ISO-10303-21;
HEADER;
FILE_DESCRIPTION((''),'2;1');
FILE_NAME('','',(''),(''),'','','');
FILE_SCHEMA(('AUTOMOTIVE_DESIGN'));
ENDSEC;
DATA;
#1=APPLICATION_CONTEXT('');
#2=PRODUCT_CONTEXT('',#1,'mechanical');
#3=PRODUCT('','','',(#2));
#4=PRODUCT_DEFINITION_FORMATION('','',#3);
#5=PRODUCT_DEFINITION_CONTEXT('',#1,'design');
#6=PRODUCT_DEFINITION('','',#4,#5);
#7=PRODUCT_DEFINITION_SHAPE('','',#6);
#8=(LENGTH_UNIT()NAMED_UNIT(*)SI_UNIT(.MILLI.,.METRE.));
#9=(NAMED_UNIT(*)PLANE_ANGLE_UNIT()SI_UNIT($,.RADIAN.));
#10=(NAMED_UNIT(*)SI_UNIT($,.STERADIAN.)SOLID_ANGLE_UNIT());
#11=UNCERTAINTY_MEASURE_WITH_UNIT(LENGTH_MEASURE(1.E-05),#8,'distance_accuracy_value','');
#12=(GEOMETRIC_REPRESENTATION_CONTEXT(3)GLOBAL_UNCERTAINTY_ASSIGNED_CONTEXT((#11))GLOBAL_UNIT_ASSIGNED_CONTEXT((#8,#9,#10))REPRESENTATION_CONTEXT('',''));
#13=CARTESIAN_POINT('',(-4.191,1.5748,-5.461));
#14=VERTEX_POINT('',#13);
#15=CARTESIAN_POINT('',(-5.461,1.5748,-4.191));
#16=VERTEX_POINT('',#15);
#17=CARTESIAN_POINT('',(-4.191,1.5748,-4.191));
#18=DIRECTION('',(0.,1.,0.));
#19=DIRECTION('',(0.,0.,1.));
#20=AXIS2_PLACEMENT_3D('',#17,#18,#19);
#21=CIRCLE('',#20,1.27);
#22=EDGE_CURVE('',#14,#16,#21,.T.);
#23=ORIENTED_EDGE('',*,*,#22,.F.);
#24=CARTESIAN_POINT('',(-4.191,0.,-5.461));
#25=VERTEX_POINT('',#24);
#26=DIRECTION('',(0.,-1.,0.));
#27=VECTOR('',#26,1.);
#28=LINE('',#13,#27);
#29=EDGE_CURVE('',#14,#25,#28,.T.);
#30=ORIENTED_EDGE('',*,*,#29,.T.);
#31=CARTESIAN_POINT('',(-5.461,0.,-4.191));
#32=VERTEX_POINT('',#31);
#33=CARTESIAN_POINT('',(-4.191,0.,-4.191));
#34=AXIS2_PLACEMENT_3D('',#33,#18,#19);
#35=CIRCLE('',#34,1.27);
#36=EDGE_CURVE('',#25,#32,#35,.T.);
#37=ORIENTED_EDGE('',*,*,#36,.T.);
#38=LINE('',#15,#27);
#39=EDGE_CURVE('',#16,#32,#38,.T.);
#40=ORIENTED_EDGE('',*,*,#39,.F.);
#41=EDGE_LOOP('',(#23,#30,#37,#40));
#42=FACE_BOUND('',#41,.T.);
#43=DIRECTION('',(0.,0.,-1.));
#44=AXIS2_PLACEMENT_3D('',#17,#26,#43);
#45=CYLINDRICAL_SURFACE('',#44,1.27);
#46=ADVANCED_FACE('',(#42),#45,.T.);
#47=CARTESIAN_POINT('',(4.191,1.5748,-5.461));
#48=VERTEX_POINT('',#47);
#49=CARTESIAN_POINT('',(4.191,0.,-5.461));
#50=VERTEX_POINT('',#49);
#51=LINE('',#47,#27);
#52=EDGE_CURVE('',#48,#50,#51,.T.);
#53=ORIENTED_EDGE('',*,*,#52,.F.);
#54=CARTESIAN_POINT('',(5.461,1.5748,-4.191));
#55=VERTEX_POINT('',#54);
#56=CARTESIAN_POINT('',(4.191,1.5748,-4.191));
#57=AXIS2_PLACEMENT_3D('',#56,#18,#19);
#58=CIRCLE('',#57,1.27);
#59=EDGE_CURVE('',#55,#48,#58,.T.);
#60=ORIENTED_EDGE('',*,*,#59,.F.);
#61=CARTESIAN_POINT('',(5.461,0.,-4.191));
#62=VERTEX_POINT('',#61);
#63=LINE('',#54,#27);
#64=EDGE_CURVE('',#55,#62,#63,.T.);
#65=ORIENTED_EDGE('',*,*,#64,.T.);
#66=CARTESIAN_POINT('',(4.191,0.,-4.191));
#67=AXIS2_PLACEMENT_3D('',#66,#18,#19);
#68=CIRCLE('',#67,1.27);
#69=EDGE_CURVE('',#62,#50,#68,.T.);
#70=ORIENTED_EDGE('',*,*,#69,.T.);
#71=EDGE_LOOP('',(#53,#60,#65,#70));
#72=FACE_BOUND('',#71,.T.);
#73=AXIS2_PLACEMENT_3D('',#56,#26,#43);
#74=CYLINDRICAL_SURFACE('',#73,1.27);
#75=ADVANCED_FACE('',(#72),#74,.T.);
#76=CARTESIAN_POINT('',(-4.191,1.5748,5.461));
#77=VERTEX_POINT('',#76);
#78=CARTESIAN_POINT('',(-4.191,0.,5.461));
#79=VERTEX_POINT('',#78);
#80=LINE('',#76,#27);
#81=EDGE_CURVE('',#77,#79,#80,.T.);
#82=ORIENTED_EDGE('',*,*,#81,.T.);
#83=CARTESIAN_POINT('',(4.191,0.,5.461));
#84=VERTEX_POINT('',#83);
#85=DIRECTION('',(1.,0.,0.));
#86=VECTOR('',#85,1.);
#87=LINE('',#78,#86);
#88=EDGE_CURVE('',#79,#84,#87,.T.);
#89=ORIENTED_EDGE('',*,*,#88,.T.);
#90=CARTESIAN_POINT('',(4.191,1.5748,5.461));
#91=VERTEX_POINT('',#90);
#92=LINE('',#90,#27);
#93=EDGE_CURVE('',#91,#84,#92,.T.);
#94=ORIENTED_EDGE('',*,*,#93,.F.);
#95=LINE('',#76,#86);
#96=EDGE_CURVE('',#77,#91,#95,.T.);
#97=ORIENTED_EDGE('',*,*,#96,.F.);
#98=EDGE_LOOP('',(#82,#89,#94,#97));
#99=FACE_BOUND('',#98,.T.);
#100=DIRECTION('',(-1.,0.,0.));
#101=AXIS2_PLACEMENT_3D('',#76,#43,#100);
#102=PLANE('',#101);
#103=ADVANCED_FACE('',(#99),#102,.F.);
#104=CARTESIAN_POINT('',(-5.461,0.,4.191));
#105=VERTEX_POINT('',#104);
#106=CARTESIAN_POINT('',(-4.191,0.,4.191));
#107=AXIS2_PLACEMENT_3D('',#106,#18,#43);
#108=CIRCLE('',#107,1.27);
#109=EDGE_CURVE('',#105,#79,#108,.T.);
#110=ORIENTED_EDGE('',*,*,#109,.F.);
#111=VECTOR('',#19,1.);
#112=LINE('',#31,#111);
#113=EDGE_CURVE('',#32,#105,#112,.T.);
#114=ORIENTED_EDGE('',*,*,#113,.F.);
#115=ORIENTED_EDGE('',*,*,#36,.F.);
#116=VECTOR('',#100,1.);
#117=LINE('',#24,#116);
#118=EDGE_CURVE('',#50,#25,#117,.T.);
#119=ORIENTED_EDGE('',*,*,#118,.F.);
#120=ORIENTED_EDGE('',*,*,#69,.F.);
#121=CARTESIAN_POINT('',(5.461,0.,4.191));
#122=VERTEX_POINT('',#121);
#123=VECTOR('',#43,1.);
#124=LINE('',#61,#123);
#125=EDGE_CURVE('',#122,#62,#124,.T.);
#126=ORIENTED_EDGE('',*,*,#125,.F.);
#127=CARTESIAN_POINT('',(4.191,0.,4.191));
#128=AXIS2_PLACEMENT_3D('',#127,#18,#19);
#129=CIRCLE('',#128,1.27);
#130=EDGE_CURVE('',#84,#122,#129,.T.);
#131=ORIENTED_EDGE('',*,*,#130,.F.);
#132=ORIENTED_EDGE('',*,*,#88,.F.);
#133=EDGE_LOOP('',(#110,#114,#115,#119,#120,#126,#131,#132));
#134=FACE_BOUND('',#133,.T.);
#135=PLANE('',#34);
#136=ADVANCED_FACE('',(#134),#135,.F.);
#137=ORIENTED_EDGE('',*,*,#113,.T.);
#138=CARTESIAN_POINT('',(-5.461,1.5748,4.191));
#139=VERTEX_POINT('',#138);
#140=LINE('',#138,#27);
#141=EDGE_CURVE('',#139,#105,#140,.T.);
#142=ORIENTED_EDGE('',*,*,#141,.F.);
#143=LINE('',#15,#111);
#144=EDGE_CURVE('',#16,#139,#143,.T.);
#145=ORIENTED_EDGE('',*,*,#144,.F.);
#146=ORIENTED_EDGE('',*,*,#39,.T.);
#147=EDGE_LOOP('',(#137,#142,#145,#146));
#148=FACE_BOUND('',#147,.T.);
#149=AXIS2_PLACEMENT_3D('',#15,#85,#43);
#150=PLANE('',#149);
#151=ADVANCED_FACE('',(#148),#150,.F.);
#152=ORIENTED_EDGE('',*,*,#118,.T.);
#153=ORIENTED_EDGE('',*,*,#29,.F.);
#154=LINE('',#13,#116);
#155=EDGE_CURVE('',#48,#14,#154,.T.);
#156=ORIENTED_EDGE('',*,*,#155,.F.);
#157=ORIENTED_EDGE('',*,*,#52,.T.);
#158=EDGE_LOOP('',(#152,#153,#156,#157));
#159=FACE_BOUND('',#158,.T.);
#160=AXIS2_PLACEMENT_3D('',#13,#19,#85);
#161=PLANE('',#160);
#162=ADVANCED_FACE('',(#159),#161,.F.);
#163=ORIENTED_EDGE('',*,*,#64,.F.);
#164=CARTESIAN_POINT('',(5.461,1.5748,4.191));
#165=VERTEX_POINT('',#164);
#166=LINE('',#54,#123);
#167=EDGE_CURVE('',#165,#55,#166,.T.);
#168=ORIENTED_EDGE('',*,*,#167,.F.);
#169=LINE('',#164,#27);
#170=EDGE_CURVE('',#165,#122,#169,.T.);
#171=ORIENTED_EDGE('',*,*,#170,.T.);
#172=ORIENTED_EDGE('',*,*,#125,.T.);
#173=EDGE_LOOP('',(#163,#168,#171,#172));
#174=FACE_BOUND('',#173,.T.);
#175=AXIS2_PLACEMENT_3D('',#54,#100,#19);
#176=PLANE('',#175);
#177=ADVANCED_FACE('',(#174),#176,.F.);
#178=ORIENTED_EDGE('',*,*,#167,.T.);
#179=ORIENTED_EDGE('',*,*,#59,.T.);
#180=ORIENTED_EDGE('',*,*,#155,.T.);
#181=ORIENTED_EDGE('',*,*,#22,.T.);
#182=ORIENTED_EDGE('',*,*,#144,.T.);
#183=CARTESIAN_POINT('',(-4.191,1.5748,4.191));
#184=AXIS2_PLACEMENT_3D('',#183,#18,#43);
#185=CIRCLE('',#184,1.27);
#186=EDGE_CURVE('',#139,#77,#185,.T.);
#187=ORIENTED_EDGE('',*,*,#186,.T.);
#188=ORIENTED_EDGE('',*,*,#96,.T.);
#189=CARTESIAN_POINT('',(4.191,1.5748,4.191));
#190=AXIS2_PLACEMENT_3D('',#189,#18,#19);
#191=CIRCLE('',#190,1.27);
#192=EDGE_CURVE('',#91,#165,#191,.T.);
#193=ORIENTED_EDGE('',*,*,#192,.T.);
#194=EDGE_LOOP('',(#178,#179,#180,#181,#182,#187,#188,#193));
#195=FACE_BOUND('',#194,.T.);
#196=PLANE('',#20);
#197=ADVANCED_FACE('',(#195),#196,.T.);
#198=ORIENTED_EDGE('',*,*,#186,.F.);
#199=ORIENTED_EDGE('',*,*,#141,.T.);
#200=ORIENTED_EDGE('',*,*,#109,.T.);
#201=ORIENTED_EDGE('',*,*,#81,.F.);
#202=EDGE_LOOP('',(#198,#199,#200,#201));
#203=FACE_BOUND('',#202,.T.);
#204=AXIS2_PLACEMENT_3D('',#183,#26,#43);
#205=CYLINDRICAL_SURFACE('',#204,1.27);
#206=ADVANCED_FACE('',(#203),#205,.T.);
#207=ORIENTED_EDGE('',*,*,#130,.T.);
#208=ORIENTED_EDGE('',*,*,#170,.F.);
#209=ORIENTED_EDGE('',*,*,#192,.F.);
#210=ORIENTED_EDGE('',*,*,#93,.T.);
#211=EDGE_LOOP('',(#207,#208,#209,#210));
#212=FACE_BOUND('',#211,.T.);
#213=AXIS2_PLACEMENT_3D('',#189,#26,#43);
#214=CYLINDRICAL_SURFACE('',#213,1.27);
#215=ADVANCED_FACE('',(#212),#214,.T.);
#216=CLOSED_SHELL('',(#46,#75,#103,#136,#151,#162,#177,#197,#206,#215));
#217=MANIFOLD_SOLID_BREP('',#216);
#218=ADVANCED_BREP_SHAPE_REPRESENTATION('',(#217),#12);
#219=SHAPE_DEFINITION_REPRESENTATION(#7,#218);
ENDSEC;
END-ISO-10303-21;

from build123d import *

# Parameters (mm, degrees)
BOSS_EXTRUDE1_DEPTH = 1.5748


with BuildPart() as part:
    # Sketch1 → Boss-Extrude1 (new body)
    with BuildSketch(Plane(origin=(0, 0, 0), x_dir=(1, 0, 0), z_dir=(0, 1, 0))):
        with BuildLine():
            Line((-4.191, 5.461), (4.191, 5.461))
            ThreePointArc((4.191, 5.461), (5.089025612, 5.089025612), (5.461, 4.191))
            Line((5.461, 4.191), (5.461, -4.191))
            ThreePointArc((5.461, -4.191), (5.089025612, -5.089025612), (4.191, -5.461))
            Line((4.191, -5.461), (-4.191, -5.461))
            ThreePointArc((-4.191, -5.461), (-5.089025612, -5.089025612), (-5.461, -4.191))
            Line((-5.461, -4.191), (-5.461, 4.191))
            ThreePointArc((-5.461, 4.191), (-5.089025612, 5.089025612), (-4.191, 5.461))
        make_face()
    extrude(amount=BOSS_EXTRUDE1_DEPTH)


solid = part.part
